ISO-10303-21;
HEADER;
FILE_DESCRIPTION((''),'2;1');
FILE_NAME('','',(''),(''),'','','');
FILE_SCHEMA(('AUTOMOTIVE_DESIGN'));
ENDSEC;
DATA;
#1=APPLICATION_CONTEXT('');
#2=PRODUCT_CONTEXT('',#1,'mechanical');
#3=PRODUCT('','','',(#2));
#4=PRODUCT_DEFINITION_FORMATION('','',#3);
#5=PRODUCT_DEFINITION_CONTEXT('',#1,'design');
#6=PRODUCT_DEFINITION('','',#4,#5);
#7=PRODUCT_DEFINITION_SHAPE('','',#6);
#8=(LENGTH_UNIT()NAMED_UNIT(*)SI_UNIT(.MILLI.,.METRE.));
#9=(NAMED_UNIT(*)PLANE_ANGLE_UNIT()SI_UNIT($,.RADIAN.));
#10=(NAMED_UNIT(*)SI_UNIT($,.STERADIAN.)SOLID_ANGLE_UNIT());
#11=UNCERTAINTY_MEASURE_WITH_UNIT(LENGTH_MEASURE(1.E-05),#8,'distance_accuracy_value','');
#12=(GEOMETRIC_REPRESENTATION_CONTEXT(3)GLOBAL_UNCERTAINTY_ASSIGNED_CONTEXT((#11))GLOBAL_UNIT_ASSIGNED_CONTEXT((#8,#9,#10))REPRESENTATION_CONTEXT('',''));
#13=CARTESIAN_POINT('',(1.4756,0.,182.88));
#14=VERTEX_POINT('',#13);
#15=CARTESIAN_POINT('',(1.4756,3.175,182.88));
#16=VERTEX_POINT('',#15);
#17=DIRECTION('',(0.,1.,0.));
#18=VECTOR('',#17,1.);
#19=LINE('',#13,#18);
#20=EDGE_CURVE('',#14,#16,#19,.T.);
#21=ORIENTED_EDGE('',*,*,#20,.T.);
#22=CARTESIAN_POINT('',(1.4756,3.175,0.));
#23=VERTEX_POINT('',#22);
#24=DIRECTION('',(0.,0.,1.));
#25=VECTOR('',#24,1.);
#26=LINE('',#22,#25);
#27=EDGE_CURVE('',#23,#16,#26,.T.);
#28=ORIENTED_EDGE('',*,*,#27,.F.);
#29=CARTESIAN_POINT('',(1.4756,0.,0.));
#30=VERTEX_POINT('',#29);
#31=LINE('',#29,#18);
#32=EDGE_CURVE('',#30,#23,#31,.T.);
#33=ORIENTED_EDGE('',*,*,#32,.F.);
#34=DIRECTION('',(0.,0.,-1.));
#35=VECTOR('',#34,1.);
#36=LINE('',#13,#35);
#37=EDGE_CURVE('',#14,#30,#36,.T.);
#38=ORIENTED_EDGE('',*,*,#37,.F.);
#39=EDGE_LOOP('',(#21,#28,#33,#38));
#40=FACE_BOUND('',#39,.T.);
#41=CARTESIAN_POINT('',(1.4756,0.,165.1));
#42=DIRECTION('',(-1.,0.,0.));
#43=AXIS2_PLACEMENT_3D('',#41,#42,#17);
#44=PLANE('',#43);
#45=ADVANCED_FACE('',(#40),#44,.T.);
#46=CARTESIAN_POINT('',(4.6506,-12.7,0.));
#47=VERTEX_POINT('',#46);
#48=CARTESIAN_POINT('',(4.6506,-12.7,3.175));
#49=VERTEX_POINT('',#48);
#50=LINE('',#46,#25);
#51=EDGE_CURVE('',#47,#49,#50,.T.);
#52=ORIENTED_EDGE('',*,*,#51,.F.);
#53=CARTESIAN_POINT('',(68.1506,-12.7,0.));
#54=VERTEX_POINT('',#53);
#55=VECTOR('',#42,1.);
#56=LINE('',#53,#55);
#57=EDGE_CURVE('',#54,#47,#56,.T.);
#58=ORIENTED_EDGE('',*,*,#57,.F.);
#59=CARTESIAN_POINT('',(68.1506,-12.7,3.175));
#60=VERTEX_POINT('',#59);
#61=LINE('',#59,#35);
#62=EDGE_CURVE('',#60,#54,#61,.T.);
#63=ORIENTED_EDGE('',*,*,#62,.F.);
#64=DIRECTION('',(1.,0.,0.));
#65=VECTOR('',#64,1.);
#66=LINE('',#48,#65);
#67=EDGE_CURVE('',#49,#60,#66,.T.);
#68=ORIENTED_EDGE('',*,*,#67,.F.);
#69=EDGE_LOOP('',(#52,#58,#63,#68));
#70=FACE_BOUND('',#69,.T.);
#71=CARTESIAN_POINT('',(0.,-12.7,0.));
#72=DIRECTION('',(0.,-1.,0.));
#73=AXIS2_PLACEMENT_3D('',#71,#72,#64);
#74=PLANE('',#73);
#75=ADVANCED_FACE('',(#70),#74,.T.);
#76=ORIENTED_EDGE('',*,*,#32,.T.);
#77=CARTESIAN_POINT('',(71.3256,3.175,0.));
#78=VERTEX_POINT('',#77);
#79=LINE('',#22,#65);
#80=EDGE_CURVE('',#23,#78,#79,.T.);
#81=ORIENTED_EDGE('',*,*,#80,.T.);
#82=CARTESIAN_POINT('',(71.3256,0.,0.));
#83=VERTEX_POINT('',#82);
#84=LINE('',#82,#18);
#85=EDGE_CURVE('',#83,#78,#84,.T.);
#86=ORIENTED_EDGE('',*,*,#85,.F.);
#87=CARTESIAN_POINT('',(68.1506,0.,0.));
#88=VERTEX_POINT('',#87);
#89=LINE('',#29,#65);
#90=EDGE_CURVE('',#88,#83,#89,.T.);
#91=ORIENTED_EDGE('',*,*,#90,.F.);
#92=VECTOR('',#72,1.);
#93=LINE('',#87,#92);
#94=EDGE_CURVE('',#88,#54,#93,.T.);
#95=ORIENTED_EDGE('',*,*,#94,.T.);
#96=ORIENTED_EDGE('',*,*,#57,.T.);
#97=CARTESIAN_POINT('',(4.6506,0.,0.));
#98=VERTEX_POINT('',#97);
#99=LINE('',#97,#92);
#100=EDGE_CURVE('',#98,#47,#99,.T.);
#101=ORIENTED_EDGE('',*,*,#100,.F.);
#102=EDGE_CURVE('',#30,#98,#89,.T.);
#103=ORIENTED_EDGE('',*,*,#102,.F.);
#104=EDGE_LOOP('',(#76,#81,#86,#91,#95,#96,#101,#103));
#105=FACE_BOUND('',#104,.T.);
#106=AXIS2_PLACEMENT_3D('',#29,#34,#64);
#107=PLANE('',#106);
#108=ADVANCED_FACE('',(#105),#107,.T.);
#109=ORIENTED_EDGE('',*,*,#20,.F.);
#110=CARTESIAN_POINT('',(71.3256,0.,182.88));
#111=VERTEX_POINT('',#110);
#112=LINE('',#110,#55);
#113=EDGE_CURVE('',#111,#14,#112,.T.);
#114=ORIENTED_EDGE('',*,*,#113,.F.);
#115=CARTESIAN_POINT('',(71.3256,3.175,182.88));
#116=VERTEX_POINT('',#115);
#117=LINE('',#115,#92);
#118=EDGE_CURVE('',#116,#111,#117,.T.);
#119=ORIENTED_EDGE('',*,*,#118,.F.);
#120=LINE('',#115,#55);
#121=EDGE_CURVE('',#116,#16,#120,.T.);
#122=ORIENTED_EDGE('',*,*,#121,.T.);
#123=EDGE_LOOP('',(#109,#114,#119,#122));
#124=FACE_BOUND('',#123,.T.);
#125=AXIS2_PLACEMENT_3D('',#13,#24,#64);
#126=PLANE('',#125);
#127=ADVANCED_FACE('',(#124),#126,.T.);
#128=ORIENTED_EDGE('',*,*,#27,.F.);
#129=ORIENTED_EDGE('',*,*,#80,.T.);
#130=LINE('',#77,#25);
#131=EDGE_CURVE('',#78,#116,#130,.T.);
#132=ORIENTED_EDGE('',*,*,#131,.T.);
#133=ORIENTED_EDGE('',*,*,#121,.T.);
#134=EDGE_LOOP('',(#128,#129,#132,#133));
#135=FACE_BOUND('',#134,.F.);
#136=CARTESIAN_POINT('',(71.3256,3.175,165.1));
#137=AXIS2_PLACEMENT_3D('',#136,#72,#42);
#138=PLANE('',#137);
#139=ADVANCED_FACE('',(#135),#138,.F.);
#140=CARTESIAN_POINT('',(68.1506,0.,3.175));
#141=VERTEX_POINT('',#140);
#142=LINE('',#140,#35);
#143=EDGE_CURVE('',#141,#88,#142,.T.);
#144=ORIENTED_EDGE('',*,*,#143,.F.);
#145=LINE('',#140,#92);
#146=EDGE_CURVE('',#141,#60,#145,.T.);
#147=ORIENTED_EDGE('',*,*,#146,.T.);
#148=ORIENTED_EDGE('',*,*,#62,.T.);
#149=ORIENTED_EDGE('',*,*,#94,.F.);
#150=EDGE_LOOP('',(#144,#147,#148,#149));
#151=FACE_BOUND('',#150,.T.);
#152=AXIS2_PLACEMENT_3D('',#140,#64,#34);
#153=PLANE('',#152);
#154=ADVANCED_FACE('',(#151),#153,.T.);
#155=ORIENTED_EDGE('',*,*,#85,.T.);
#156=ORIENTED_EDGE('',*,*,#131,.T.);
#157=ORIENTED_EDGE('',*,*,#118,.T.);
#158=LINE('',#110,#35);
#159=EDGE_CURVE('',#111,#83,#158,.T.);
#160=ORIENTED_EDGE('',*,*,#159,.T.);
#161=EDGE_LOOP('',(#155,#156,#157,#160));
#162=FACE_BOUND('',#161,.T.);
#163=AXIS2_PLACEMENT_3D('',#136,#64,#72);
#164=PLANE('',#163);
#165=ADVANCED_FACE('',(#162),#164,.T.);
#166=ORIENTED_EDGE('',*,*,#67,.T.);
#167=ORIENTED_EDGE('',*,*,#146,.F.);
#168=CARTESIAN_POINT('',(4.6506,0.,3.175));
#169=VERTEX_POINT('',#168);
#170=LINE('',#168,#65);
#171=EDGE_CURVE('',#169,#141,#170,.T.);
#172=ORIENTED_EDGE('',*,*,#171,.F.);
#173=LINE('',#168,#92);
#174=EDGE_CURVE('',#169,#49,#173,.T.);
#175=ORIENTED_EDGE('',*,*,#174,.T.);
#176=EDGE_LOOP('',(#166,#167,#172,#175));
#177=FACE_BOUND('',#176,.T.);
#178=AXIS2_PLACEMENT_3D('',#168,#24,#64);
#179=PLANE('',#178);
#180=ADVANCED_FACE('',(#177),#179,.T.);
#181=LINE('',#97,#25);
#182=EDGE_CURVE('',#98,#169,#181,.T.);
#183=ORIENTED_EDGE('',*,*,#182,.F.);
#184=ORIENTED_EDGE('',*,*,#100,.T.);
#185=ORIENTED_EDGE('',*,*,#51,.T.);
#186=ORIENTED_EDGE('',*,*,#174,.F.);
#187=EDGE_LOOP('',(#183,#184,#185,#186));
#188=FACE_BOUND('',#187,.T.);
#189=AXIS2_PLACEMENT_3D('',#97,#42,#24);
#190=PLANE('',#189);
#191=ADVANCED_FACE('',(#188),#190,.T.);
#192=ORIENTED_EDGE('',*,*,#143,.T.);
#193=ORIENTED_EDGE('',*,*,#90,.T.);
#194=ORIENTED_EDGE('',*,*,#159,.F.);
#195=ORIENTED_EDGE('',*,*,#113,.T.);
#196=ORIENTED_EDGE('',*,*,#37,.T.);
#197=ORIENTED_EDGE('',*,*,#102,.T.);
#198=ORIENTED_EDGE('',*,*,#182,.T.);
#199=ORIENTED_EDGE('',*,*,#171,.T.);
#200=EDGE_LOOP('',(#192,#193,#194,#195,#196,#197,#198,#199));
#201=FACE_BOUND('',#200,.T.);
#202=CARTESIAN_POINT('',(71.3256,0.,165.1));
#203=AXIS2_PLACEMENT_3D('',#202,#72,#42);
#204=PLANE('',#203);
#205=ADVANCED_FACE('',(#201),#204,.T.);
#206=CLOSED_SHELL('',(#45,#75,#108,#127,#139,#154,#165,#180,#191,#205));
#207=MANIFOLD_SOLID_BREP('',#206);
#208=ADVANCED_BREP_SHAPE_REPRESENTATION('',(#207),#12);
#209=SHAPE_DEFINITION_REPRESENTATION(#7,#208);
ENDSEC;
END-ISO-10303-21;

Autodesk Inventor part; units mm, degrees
ref_plane "YZ Plane" through (0, 0, 0) normal (1, 0, 0) x (0, 1, 0)
ref_plane "XZ Plane" through (0, 0, 0) normal (0, 1, 0) x (-1, 0, 0)
ref_plane "XY Plane" through (0, 0, 0) normal (0, 0, 1) x (1, 0, 0)
sketch "Sketch1" plane through (0, 0, 0) normal (0, 1, 0) x (-1, 0, 0)
  line L0 (-1.4756, 0) -> (-71.3256, 0)
  line L1 (-71.3256, 0) -> (-71.3256, 165.1)
  line L2 (-71.3256, 165.1) -> (-1.4756, 165.1)
  line L3 (-1.4756, 165.1) -> (-1.4756, 0)
  point P0 (0, 0)
  dimension "d0" = 69.85
  dimension "d1" = 165.1
extrude "Extrusion1" add sketch "Sketch1" along normal blind 3.175
sketch "Sketch3" plane through (0, 0, 0) normal (0, -1, 0) x (1, 0, 0)
  line L0 (71.3256, 165.1) -> (71.3256, 0) construction
  line L1 (71.3256, 0) -> (68.1506, 0) construction
  line L2 (71.3256, 0) -> (1.4756, 0) construction
  line L3 (1.4756, 0) -> (4.6506, 0) construction
  line L4 (68.1506, 0) -> (4.6506, 0)
  line L5 (4.6506, 0) -> (4.6506, 3.175)
  line L6 (4.6506, 3.175) -> (68.1506, 3.175)
  line L7 (68.1506, 3.175) -> (68.1506, 0)
  point P0 (0, 0)
  dimension "d7" = 3.175
  dimension "d8" = 3.175
  dimension "d9" = 63.5
  dimension "d10" = 3.175
extrude "Extrusion3" add sketch "Sketch3" along normal blind 12.7
sketch "Sketch4" plane through (1.4756, 0, 165.1) normal (0, 0, 1) x (1, 0, 0)
  line L0 (69.85, 3.175) -> (0, 3.175) projected
  line L1 (0, 3.175) -> (69.85, 3.175)
  line L2 (69.85, 3.175) -> (69.85, 0)
  line L3 (69.85, 0) -> (0, 0)
  line L4 (0, 0) -> (0, 3.175)
  point P0 (-1.4756, 0)
extrude "Extrusion4" add sketch "Sketch4" along normal blind 17.78
properties part number "False_Bottom_2"
